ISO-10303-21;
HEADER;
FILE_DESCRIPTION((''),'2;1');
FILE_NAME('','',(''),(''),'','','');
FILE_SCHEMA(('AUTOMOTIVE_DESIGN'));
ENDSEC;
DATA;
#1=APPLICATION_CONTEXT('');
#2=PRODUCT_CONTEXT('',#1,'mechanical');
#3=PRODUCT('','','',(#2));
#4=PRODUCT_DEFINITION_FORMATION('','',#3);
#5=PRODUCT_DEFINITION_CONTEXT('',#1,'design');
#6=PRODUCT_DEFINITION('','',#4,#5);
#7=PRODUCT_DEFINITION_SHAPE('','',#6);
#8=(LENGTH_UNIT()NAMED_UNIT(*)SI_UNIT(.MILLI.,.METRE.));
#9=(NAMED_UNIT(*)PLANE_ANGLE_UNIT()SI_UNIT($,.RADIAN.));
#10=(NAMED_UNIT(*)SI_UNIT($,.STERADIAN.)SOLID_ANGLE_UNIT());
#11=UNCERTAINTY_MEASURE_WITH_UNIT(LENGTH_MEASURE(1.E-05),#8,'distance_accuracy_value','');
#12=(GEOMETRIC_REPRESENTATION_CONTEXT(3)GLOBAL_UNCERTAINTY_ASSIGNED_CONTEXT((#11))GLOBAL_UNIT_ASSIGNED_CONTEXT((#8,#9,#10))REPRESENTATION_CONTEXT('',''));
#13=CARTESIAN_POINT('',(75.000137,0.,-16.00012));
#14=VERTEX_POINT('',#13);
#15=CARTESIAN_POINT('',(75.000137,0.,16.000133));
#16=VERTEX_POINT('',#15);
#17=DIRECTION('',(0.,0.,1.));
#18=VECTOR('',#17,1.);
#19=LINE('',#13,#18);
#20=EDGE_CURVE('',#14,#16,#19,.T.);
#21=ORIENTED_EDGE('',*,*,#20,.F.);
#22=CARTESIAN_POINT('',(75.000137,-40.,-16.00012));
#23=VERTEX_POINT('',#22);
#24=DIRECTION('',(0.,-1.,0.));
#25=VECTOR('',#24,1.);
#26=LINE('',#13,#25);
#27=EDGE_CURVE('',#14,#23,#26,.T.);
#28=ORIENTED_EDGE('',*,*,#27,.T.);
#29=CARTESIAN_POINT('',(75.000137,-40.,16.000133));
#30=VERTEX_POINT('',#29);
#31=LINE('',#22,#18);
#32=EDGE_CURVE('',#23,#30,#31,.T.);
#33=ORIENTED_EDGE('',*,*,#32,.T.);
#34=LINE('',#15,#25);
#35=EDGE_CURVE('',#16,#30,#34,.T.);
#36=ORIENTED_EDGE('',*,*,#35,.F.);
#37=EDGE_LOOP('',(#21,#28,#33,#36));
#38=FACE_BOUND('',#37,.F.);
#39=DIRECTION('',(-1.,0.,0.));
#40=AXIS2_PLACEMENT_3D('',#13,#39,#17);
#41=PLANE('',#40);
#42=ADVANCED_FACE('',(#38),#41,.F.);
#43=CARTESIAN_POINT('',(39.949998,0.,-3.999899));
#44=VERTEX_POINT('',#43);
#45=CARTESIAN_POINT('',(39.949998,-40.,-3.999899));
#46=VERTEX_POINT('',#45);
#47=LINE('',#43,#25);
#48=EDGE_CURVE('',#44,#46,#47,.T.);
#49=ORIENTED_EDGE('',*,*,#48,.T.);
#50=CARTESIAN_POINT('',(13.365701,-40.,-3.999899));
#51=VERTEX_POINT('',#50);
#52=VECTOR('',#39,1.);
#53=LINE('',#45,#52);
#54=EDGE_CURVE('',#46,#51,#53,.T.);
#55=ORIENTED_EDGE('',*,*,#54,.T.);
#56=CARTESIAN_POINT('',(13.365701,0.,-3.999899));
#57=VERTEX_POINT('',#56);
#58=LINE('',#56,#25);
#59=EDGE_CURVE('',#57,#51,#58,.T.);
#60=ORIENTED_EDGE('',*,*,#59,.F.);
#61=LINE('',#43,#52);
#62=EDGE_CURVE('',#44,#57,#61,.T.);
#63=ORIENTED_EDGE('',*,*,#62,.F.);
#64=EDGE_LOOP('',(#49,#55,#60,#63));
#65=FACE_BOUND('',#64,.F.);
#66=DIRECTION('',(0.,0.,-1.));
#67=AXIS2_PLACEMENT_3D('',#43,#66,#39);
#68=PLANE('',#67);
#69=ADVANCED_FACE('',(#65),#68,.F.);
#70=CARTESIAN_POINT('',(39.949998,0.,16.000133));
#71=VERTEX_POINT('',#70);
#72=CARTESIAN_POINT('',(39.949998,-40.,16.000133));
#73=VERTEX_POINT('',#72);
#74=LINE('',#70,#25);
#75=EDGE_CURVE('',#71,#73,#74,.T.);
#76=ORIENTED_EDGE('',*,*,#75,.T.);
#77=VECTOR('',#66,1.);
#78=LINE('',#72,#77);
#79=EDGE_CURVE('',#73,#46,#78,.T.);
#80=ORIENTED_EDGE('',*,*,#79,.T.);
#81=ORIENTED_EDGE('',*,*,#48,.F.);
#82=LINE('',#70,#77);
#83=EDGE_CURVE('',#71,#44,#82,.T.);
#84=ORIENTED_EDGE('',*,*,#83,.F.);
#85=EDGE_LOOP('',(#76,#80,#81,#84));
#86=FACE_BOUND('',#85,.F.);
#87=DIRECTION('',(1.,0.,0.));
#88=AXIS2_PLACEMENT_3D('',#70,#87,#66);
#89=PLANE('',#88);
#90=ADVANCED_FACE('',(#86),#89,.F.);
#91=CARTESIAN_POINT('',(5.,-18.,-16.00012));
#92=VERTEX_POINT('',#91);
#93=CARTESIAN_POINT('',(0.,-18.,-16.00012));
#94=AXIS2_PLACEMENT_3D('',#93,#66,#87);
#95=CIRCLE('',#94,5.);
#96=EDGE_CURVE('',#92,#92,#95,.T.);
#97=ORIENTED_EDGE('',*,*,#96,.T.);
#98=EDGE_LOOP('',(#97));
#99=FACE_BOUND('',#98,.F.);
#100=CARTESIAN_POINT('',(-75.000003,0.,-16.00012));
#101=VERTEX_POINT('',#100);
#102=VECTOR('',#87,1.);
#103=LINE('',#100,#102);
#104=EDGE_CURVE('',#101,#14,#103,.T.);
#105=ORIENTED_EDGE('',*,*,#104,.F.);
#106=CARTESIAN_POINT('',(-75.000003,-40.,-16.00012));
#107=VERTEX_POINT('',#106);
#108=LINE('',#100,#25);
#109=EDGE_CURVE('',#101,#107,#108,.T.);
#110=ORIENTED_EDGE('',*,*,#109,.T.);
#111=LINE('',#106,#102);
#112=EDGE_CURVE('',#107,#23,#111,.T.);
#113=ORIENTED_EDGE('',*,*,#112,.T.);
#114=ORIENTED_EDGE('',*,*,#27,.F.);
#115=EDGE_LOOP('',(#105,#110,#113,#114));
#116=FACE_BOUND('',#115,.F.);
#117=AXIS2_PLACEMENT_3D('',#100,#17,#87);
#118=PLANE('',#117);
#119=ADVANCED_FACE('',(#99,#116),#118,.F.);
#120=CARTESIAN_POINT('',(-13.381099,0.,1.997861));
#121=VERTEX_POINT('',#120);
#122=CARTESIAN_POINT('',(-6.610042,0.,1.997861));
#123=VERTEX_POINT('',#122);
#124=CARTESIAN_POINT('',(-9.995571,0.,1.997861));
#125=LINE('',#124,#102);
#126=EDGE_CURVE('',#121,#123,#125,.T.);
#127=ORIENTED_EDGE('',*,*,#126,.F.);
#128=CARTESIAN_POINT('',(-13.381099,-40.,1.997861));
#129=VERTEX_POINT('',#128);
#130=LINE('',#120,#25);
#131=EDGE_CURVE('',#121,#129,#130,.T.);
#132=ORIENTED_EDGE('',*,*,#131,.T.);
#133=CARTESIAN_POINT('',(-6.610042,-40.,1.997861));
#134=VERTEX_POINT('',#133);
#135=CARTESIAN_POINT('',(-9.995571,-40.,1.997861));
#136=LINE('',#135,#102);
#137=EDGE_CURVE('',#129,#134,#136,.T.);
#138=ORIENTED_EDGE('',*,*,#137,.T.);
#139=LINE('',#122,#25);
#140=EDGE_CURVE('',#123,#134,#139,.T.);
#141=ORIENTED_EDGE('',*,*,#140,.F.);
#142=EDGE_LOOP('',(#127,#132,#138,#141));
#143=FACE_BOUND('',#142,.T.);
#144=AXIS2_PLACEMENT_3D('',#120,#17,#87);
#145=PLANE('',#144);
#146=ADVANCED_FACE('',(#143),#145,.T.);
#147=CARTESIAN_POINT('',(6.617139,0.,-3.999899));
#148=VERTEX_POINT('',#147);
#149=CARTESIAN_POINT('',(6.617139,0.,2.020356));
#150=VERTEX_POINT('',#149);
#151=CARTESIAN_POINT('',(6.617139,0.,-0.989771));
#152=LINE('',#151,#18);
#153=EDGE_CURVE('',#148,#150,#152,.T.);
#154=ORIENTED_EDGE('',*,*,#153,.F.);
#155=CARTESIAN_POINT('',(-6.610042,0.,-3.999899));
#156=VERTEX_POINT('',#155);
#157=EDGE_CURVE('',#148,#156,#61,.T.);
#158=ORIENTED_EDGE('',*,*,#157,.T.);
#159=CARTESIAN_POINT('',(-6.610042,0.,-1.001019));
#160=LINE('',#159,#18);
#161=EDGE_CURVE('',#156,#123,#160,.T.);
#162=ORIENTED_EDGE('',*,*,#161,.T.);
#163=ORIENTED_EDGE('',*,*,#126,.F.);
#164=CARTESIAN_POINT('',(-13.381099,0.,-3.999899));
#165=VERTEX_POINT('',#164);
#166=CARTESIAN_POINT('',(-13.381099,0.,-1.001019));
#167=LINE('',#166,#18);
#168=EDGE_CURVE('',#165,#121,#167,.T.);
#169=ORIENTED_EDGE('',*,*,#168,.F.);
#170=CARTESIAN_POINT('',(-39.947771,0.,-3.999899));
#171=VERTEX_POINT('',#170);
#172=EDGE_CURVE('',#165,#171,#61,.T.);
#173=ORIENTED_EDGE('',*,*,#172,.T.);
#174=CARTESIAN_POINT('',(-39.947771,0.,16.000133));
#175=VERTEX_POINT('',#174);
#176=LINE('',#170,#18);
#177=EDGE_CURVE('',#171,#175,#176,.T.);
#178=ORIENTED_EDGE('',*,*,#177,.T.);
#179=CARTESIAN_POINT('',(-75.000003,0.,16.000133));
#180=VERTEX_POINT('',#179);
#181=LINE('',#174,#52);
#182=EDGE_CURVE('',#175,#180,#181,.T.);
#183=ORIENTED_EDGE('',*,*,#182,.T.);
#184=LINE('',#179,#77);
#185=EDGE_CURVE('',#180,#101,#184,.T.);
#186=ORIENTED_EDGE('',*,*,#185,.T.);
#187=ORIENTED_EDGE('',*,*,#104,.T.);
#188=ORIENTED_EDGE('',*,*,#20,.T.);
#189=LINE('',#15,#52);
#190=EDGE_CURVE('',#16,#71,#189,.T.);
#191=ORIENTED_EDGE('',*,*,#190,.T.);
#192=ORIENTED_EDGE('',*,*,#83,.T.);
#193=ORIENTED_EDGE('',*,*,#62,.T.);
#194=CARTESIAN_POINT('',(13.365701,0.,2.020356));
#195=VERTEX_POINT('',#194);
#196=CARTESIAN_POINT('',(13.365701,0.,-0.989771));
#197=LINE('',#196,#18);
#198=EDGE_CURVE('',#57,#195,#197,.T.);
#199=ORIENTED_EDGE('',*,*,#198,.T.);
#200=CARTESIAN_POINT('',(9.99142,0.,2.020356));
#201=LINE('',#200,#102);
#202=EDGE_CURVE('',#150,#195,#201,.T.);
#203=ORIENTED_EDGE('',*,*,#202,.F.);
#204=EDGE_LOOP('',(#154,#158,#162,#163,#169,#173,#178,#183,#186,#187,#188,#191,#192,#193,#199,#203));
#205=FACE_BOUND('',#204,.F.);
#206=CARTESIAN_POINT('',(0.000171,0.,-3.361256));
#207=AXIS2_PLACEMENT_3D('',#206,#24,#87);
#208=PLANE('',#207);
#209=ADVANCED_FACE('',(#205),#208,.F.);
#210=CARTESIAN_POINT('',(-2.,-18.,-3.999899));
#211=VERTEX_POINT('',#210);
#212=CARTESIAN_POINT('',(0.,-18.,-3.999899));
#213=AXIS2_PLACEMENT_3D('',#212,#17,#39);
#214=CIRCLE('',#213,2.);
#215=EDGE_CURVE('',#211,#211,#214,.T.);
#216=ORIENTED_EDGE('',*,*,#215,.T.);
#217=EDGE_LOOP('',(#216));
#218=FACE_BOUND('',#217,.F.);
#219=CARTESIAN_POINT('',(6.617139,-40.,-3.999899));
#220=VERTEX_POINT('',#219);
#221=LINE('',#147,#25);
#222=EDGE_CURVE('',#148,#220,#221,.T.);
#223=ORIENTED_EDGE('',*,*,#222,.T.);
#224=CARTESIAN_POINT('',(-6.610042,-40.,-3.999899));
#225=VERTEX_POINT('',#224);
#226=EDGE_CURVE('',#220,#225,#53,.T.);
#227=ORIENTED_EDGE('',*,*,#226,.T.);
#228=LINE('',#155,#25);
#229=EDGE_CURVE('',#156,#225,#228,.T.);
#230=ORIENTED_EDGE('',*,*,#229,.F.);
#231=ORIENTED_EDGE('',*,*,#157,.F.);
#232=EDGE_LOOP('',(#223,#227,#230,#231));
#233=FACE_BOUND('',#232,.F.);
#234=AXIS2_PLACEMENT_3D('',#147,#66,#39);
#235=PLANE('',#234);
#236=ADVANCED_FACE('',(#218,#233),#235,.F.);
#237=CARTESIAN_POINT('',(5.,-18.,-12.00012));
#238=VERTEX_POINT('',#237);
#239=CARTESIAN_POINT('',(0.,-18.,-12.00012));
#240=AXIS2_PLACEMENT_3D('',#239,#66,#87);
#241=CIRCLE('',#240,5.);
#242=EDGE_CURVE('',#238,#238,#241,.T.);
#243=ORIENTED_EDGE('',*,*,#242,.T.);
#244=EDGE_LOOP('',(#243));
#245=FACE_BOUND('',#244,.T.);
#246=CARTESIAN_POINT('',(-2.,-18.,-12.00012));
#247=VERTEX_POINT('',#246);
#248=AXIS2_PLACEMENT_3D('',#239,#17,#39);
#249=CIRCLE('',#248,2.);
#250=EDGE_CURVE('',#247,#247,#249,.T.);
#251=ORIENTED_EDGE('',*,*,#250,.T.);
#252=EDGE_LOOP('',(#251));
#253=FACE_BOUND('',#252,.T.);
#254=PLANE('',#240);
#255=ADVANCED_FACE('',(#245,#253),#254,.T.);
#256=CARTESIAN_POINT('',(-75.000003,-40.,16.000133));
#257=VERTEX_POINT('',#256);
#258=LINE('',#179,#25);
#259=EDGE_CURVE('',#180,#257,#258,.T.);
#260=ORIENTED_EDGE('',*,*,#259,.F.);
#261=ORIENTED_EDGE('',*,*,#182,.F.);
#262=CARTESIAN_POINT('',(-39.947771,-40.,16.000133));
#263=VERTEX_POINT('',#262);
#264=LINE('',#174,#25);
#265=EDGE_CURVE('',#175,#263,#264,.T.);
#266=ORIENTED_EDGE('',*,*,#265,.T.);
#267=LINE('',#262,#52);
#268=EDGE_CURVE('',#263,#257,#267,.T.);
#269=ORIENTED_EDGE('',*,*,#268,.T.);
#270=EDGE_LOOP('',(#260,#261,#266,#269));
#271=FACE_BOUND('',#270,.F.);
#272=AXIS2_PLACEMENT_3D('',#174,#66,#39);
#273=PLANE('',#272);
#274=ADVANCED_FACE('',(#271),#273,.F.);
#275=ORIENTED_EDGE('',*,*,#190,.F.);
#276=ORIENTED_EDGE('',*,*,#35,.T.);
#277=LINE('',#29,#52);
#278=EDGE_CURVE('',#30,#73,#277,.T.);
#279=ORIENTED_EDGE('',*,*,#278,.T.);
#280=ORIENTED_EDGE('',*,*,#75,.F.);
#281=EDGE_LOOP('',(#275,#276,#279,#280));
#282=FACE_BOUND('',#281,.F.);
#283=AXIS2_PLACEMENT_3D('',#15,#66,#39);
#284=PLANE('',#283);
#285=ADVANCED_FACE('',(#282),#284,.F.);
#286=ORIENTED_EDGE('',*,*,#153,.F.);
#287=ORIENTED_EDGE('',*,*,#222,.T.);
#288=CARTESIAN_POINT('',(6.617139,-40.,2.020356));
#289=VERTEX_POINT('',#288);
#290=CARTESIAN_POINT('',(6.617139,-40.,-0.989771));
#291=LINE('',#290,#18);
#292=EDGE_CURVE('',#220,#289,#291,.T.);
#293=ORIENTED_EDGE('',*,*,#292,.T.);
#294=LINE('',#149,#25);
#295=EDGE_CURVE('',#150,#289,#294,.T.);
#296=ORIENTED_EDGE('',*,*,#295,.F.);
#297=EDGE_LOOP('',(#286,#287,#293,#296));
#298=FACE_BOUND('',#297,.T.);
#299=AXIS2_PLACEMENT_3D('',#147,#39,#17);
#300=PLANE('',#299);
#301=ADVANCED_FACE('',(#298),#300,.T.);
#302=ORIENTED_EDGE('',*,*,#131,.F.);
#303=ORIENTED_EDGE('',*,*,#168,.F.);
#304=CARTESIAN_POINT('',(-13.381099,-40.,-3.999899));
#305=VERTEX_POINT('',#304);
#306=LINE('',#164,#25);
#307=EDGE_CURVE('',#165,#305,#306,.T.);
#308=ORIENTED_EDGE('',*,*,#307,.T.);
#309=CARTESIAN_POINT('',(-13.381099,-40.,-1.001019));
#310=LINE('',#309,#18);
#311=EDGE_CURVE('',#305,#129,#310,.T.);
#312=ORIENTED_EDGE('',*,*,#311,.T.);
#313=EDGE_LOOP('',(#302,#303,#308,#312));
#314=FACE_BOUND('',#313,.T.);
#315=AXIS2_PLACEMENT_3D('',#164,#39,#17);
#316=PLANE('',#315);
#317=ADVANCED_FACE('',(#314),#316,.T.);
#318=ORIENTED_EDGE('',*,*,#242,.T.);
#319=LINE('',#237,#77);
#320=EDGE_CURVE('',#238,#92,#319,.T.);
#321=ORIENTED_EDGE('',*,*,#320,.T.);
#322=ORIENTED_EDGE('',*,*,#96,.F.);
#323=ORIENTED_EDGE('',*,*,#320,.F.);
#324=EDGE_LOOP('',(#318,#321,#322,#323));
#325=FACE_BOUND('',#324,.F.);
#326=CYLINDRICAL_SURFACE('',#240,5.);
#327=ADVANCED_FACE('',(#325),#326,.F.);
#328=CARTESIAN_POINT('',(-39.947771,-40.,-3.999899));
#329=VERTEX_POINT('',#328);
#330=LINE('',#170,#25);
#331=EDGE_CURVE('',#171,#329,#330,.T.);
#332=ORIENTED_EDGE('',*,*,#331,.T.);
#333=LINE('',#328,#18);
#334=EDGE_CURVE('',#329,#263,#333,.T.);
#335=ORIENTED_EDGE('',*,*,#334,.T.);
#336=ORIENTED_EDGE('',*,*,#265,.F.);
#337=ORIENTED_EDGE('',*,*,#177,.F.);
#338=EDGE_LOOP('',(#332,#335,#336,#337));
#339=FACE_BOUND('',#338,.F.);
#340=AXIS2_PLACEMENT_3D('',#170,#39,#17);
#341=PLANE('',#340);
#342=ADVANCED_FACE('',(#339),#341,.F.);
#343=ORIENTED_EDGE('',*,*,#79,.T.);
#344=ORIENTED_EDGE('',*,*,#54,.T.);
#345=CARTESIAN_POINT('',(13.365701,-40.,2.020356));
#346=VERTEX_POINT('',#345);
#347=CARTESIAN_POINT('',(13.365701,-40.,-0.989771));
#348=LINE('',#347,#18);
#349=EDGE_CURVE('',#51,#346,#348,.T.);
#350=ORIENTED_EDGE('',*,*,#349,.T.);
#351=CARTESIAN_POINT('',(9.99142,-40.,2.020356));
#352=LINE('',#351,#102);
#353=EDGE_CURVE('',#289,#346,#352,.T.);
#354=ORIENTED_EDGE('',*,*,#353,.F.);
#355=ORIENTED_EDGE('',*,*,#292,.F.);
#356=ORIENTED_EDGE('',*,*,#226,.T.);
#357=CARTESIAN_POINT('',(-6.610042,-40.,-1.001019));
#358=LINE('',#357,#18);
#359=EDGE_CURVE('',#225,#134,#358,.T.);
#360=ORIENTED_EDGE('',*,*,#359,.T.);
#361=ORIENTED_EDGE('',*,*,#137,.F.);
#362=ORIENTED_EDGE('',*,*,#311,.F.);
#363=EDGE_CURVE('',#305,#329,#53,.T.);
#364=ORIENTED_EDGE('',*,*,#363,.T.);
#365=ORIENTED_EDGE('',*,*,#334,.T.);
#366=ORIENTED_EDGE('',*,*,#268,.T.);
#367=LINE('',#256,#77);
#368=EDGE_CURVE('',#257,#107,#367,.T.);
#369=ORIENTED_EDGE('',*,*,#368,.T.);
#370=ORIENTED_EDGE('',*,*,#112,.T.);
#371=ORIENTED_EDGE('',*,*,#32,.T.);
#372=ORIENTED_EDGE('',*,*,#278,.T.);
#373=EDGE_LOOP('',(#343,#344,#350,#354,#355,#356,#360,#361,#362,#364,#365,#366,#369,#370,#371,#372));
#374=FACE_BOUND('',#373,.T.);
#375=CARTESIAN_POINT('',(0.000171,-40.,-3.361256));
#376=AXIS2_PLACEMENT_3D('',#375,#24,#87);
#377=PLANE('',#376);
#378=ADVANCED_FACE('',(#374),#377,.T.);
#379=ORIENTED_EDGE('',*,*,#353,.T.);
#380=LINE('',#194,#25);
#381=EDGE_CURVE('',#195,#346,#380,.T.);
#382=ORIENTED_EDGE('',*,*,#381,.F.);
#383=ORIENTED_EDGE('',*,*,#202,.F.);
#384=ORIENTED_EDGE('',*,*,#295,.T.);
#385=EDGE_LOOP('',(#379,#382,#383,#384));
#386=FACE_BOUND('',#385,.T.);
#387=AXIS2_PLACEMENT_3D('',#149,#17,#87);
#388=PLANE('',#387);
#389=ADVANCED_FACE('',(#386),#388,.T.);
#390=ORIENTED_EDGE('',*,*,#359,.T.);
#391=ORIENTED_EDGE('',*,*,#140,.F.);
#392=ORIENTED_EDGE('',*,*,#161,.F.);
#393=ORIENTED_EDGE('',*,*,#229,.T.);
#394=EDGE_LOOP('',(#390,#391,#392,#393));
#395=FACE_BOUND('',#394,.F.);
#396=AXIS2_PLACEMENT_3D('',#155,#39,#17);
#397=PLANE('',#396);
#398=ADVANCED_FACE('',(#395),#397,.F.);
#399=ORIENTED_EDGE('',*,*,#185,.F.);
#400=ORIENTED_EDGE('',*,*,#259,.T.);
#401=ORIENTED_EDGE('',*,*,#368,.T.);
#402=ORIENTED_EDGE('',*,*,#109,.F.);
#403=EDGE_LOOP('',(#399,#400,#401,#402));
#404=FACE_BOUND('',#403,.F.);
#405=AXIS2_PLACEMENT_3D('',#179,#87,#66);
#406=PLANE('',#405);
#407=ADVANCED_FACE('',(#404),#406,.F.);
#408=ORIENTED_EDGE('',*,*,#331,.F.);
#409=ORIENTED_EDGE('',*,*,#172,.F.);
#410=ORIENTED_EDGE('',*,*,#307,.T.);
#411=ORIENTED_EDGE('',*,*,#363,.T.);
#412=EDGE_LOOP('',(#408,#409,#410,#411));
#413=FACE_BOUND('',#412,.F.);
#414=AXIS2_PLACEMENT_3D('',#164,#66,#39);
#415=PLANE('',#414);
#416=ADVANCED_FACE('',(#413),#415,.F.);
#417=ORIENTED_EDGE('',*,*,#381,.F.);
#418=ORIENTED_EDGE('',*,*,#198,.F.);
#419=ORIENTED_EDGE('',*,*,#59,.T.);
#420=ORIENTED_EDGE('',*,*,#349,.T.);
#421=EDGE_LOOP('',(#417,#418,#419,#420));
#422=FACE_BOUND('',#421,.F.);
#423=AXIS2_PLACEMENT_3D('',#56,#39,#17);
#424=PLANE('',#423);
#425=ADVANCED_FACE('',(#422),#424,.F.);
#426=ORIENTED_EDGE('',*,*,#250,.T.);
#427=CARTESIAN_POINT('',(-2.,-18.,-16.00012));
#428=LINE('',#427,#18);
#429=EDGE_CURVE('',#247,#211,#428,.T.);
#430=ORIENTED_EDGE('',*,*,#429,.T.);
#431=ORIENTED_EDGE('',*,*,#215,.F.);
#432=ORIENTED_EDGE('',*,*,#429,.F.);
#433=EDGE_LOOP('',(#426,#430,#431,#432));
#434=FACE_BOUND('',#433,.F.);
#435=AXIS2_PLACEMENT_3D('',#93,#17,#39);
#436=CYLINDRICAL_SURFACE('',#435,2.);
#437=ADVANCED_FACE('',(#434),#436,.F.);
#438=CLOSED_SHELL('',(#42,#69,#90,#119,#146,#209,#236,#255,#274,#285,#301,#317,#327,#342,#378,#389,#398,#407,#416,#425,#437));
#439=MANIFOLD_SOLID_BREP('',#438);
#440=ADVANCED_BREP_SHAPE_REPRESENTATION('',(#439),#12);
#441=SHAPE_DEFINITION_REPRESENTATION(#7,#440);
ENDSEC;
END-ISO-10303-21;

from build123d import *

# Parameters (mm, degrees)
F0_W           = 6.7710569128
F0_H           = 5.9977597557
F0_W_2         = 6.7485617474
F0_H_2         = 6.0202549212
F1_DEPTH       = 40
F3_D           = 4
F3_DEPTH       = 25
F3_CBORE_D     = 10
F3_CBORE_DEPTH = 4
F3_TIP         = 1.2017212381


with BuildPart() as f1:
    # F0 (on Front) → F1 (new body)
    with BuildSketch(Plane.XZ):
        Polygon((-39.9477705359, 16.0001330078), (-75.0000029802, 16.0001330078), (-75.0000029802, -16.0001199692), (75.0001370907, -16.0001199692), (75.0001370907, 16.0001330078), (39.9499982595, 16.0001330078), (39.9499982595, -3.9998986758), (13.365700841, -3.9998986758), (6.6171390936, -3.9998986758), (-6.6100424156, -3.9998986758), (-13.3810993284, -3.9998986758), (-39.9477705359, -3.9998986758), align=None)
        with Locations((-9.995570872, -1.001018798)):
            Rectangle(F0_W, F0_H)
        with Locations((9.9914199673, -0.9897712152)):
            Rectangle(F0_W_2, F0_H_2)
    extrude(amount=F1_DEPTH)

    # F3
    with Locations(Plane(origin=(0, 0, -16.0001199692), x_dir=(1, 0, 0), z_dir=(0, 0, -1))):
        with Locations((0, 18)):
            CounterBoreHole(F3_D / 2, F3_CBORE_D / 2, F3_CBORE_DEPTH, depth=F3_DEPTH)
            with Locations((0, 0, -(F3_DEPTH + F3_TIP / 2))):  # 118° drill point
                Cone(0, F3_D / 2, F3_TIP, mode=Mode.SUBTRACT)


solid = f1.part
